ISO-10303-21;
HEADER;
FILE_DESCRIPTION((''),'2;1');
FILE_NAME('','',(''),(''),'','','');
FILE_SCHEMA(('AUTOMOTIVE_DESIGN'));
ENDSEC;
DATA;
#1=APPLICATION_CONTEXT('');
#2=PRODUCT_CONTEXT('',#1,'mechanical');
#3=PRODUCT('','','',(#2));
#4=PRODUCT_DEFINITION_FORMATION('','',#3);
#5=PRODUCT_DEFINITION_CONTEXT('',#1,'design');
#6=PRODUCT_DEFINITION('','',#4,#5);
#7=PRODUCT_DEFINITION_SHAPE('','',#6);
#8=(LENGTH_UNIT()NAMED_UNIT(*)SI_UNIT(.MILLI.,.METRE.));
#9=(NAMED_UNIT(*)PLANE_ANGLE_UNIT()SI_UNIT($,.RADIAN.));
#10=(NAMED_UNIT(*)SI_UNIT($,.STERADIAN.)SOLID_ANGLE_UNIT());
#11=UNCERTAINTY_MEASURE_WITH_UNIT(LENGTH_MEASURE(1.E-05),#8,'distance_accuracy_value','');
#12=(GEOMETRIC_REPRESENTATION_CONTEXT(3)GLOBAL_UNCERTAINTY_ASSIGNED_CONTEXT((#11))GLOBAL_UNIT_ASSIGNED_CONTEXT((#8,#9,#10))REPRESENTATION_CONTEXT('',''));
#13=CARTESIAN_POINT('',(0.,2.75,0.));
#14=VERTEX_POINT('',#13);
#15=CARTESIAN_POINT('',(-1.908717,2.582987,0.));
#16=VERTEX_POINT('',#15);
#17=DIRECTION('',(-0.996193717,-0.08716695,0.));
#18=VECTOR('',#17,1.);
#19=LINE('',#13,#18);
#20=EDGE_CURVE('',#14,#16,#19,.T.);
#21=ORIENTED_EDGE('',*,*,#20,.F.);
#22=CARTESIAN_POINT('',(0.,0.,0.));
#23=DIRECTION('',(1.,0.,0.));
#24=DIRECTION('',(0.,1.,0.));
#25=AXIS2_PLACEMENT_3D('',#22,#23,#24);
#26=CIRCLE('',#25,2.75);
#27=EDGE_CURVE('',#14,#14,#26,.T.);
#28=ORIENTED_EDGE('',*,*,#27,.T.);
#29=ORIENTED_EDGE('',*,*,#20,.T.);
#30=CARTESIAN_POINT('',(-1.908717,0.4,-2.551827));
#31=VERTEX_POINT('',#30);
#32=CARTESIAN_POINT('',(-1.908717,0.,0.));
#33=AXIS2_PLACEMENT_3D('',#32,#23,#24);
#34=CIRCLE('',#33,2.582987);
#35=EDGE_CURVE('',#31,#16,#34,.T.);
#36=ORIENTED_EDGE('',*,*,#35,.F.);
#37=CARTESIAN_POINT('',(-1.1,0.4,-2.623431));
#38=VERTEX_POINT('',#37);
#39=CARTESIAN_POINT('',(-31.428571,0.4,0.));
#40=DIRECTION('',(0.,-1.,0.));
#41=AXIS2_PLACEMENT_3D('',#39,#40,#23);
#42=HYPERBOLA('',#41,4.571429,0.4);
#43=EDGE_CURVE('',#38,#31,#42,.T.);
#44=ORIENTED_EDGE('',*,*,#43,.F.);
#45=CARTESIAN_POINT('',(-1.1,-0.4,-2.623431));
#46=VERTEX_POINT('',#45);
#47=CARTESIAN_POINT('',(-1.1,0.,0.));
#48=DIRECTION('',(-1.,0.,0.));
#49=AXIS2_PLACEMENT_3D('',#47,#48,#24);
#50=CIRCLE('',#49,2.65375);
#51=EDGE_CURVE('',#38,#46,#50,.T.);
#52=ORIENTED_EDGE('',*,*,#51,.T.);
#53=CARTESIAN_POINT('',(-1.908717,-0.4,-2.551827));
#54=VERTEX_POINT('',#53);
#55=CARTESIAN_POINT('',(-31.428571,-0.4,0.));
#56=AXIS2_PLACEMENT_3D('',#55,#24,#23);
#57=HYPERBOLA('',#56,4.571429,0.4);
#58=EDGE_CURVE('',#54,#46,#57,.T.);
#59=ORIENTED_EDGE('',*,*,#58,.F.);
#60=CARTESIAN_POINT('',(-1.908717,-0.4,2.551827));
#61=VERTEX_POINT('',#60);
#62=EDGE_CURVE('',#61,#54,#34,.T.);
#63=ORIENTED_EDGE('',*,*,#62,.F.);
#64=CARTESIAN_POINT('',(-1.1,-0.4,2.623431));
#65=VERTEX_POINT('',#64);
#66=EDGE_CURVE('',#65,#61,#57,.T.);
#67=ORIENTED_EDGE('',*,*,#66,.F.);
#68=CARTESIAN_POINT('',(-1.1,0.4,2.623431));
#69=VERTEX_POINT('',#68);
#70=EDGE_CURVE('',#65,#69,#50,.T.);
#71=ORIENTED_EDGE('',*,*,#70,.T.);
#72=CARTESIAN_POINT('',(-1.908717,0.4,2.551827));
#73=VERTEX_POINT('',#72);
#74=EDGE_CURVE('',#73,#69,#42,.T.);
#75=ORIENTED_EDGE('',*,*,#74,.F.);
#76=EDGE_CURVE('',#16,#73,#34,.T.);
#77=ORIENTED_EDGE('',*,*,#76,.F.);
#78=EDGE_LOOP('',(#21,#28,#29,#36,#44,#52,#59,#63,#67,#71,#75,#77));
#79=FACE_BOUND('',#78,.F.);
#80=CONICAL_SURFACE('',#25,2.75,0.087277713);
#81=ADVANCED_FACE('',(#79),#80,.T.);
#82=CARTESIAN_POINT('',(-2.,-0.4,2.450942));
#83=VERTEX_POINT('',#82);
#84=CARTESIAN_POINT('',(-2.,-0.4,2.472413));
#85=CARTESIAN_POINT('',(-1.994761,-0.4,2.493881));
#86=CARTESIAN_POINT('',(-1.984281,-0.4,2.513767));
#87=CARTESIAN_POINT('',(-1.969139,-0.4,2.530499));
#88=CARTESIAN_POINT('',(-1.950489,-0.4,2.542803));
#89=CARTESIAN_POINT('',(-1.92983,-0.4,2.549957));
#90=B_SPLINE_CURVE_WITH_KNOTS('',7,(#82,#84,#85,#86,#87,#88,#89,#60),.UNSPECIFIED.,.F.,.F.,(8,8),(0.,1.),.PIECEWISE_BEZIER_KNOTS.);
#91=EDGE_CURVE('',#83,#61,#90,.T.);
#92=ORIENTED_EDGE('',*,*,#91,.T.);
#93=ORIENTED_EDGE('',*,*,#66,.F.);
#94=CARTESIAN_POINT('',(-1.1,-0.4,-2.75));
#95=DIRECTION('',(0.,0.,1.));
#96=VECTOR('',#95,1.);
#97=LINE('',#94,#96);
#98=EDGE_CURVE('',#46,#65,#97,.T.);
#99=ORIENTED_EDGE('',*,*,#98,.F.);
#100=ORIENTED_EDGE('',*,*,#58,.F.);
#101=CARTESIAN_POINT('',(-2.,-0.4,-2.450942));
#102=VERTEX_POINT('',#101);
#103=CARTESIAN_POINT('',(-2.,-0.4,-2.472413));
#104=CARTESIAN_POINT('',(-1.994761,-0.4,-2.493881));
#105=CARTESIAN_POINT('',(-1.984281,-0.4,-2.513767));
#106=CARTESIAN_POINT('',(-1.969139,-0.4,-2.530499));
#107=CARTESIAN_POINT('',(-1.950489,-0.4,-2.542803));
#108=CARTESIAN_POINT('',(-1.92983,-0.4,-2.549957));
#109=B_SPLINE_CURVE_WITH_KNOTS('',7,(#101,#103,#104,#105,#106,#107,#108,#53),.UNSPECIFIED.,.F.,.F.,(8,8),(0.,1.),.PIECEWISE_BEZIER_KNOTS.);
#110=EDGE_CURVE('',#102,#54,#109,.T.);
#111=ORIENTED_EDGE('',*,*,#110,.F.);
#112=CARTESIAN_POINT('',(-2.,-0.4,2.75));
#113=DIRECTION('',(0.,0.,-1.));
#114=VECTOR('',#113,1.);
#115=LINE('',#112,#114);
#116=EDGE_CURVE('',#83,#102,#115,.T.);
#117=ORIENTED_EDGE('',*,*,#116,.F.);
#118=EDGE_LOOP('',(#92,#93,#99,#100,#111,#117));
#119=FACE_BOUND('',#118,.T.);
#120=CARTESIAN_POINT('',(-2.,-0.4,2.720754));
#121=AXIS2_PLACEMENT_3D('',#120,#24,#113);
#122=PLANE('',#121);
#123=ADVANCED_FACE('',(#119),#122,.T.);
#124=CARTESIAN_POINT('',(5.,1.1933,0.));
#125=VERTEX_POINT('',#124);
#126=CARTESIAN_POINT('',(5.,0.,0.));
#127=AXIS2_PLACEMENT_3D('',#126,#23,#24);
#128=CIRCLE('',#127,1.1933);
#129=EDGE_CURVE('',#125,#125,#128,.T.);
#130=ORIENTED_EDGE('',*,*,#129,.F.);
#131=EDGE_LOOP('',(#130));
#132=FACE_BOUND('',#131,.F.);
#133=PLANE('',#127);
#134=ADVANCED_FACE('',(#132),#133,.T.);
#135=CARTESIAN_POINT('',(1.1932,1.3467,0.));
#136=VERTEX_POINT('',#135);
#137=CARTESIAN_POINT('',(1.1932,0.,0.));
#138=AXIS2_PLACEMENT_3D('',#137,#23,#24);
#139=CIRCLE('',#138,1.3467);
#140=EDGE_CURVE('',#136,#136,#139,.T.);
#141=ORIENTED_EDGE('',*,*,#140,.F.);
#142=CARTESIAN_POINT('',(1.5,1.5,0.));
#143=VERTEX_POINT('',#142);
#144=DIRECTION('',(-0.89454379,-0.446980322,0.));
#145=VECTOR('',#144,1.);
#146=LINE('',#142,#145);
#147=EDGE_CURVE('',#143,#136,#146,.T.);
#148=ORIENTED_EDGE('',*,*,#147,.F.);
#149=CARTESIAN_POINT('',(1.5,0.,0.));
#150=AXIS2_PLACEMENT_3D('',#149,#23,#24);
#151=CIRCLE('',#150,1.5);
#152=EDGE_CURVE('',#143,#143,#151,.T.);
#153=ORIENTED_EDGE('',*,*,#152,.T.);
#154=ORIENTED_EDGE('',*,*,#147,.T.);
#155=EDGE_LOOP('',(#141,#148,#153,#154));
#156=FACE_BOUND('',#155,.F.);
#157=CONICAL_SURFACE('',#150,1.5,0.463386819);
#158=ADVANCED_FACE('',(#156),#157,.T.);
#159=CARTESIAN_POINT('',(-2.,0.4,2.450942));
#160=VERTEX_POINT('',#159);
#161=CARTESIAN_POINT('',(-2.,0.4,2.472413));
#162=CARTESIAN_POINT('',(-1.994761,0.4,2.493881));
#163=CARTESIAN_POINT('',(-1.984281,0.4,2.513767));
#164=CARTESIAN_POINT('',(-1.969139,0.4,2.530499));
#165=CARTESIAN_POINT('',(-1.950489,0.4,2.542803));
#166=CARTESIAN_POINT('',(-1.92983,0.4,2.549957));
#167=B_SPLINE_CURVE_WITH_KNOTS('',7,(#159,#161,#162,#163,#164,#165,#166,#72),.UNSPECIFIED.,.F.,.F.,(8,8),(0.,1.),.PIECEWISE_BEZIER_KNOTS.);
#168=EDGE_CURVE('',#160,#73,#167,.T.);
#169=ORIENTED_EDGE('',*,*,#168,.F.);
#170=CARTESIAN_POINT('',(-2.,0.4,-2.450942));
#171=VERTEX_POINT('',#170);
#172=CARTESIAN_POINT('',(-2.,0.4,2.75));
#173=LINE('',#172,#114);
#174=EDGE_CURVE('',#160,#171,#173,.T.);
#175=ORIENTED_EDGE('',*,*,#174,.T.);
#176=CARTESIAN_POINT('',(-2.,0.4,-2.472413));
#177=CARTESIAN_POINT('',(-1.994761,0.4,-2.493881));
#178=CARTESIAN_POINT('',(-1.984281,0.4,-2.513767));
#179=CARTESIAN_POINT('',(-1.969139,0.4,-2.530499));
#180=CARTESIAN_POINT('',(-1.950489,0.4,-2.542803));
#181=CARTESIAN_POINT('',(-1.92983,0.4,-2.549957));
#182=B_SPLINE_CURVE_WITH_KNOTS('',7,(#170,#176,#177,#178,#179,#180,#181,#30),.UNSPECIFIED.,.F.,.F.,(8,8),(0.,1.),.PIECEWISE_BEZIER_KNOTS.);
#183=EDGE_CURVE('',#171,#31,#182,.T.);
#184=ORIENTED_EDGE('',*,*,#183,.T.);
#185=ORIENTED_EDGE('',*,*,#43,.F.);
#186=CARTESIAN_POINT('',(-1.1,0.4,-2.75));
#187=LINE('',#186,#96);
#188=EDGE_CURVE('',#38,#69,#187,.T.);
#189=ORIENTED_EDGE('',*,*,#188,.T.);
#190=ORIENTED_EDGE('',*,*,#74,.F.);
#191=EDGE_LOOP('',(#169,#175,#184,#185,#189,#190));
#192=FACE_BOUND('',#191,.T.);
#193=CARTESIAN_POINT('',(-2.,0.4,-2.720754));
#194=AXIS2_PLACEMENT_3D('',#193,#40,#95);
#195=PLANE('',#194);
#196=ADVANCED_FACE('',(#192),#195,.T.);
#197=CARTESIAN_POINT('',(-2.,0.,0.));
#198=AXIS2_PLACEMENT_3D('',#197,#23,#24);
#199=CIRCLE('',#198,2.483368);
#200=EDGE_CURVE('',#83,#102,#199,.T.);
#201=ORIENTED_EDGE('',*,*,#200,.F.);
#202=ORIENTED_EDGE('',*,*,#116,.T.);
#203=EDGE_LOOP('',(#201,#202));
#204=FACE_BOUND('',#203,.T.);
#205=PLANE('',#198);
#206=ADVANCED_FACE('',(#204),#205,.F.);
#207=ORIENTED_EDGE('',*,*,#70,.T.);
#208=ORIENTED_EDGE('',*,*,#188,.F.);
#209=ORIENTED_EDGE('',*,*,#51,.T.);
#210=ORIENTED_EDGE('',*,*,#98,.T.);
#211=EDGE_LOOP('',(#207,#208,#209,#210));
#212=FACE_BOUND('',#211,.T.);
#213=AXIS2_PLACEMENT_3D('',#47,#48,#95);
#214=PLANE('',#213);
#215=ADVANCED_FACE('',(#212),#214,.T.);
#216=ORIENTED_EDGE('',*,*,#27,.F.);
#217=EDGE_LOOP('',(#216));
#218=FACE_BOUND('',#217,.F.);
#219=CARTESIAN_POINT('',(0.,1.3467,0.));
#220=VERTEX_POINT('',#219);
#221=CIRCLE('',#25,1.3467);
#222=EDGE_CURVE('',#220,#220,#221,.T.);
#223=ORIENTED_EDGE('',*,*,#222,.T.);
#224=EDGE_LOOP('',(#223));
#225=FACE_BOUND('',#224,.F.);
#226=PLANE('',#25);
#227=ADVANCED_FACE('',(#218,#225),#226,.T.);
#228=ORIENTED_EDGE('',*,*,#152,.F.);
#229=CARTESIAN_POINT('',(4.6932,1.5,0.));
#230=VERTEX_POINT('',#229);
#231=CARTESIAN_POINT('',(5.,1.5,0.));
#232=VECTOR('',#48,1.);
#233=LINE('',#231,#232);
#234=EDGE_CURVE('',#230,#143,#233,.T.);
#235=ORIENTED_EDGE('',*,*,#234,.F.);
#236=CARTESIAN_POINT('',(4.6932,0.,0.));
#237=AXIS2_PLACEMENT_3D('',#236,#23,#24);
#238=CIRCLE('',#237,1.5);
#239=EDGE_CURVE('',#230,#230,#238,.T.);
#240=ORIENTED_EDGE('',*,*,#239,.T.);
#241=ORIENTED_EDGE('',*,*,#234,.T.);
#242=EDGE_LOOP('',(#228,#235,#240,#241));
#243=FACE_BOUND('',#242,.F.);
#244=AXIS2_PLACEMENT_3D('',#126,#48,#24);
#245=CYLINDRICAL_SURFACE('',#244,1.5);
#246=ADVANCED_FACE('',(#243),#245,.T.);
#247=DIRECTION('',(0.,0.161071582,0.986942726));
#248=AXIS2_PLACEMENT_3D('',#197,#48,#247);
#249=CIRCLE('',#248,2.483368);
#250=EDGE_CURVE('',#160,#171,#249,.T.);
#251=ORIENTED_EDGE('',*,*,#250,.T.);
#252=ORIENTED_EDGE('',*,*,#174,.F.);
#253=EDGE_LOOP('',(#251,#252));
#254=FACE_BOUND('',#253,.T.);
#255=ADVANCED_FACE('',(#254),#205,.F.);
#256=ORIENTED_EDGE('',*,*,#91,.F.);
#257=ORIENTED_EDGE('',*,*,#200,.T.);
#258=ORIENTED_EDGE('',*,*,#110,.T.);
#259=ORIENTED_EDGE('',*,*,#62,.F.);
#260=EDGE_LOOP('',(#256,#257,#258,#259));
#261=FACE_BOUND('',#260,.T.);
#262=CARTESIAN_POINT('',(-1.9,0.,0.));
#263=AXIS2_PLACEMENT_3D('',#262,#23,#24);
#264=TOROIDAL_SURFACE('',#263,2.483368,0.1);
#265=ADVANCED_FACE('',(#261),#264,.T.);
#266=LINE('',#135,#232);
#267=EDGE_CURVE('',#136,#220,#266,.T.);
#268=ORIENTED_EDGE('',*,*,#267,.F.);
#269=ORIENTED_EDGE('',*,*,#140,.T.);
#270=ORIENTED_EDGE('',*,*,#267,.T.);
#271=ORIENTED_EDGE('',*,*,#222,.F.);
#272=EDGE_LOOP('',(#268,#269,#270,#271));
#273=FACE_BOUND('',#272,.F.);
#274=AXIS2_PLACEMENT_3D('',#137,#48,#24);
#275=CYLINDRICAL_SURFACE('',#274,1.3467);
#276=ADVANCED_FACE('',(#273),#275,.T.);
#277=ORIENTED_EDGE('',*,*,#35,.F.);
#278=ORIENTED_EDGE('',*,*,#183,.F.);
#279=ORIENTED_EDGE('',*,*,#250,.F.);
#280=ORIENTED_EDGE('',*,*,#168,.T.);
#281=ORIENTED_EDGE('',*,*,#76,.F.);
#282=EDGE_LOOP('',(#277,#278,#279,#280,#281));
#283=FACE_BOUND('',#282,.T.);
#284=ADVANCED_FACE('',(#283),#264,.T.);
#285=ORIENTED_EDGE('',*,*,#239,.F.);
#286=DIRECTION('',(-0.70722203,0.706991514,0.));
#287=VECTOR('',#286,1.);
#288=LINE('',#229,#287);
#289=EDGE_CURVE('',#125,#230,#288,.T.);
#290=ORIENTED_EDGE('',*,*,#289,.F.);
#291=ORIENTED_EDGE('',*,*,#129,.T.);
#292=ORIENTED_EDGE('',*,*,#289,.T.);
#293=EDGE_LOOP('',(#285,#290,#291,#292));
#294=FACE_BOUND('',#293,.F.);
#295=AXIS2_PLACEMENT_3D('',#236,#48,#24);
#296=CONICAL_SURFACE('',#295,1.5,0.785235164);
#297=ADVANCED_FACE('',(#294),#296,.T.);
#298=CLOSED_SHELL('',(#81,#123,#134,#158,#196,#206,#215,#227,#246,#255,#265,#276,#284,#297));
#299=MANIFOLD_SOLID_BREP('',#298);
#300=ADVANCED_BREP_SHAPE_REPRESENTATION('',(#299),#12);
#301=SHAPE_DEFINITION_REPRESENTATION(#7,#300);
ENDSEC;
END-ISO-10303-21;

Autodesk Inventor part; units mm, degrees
ref_plane "YZ Plane" through (0, 0, 0) normal (1, 0, 0) x (0, 1, 0)
ref_plane "XZ Plane" through (0, 0, 0) normal (0, 1, 0) x (-1, 0, 0)
sketch "Esquisse1" plane through (0, 0, 0) normal (0, 0, 1) x (1, 0, 0)
  line L0 (-2, 0) -> (5, 0)
  line L1 (5, 0) -> (5, 1.5)
  line L2 (5, 1.5) -> (1.5, 1.5)
  line L3 (1.5, 1.5) -> (1.1932, 1.3467)
  line L4 (1.1932, 1.3467) -> (0, 1.3467)
  line L5 (0, 1.3467) -> (0, 2.75)
  line L6 (-3.4, 0) -> (6.4, 0) projected
  line L7 (0, -0.55) -> (0, 3.3) projected
  line L8 (-2, 0) -> (-2, 2.575)
  line L9 (0, 2.75) -> (-2, 2.575)
  line L10 (1.5, 1.5) -> (0, 1.5) construction
  dimension "d0" = 5
  dimension "d1" = 3.5
  dimension "d2" = 0.3068
  dimension "d3" = 2
  dimension "d4" = 3
  dimension "d5" = 2.6935
  dimension "d9" = 5.5
  dimension "d10" = 5
revolve "Corps" add sketch "Esquisse1" angle 360 about axis through (-2, 0, 0) along (1, 0, 0)
sketch "Esquisse2" plane through (-2, 0, 0) normal (-1, 0, 0) x (0, 0, 1)
  circle A0 centre (0, 0) radius 2.75 projected
  line L0 (0, 0) -> (0, 2.575) projected
  line L1 (-2.75, 0.4) -> (2.75, 0.4)
  line L2 (2.75, 0.4) -> (2.75, -0.4)
  line L3 (2.75, -0.4) -> (-2.75, -0.4)
  line L4 (-2.75, -0.4) -> (-2.75, 0.4)
  line L5 (-2.75, 0) -> (2.75, 0) construction
  line L6 (0, 0.4) -> (0, -0.4) construction
  dimension "d11" = 0.8
  dimension "d12" = 5.5
fillet "Congé1" radius 0.1 1 edges at (-2, -2.575, 0)
extrude "Rainure" cut sketch "Esquisse2" against normal blind 0.9 contours A0 L3 L1 | L2 L3 A0 | A0 L1 L2 | A0 L4 L1 | L3 L4 A0
thread "Filetage" size "M3x0.5" class "6g" standard "ISO Metric profile" length 3.5
chamfer "Chanfrein1" distance 0.3067 distance2 0.3068 1 edges at (5, -1.5, 0) measured on face at (5, 0.8773, -0.3972)
ref_plane "Work Plane1" through (30.1625, 0, 0) normal (0, 0, -1) x (1, 0, 0)
equation "\"d11\" = SBR"
equation "\"d12\" = KOD"
equation "\"d14\" = RR"
equation "\"d19\" = STI"
equation "\"d15\" = GEL"
equation "\"d17\" = -0.5 * SPD + 0.5 * GD"
equation "\"d0\" = NLG"
equation "\"d1\" = GEL"
equation "\"d3\" = KOH"
equation "\"d4\" = GD"
equation "\"d5\" = BDM"
equation "\"d9\" = KOD"
equation "\"d10\" = KEWI"
equation "\"GD\" = NND"
equation "\"NLG\" = 5"
equation "\"GEL\" = 3.5"
equation "\"KOD\" = 5.5"
equation "\"KOH\" = 2"
equation "\"GAL\" = 0.61345 * PTC"
equation "\"SPD\" = NND - 1.2269 * PTC"
equation "\"BDM\" = 2.6935"
equation "\"GUL\" = 0.61345 * PTC"
equation "\"RR\" = 0.1"
equation "\"SBR\" = 0.8"
equation "\"STI\" = 0.9"
equation "\"KEWI\" = 5deg"
equation "\"PTC\" = 0.5"
equation "\"THREADDIA\" = 3"
equation "\"TOA\" = 30deg"
equation "\"NND\" = 3"
equation "\"GD1\" = THREADDIA - 1.2269 * PTC"
properties part number "CNS 4355 - M 3 x 5" material "Acier, doux"
